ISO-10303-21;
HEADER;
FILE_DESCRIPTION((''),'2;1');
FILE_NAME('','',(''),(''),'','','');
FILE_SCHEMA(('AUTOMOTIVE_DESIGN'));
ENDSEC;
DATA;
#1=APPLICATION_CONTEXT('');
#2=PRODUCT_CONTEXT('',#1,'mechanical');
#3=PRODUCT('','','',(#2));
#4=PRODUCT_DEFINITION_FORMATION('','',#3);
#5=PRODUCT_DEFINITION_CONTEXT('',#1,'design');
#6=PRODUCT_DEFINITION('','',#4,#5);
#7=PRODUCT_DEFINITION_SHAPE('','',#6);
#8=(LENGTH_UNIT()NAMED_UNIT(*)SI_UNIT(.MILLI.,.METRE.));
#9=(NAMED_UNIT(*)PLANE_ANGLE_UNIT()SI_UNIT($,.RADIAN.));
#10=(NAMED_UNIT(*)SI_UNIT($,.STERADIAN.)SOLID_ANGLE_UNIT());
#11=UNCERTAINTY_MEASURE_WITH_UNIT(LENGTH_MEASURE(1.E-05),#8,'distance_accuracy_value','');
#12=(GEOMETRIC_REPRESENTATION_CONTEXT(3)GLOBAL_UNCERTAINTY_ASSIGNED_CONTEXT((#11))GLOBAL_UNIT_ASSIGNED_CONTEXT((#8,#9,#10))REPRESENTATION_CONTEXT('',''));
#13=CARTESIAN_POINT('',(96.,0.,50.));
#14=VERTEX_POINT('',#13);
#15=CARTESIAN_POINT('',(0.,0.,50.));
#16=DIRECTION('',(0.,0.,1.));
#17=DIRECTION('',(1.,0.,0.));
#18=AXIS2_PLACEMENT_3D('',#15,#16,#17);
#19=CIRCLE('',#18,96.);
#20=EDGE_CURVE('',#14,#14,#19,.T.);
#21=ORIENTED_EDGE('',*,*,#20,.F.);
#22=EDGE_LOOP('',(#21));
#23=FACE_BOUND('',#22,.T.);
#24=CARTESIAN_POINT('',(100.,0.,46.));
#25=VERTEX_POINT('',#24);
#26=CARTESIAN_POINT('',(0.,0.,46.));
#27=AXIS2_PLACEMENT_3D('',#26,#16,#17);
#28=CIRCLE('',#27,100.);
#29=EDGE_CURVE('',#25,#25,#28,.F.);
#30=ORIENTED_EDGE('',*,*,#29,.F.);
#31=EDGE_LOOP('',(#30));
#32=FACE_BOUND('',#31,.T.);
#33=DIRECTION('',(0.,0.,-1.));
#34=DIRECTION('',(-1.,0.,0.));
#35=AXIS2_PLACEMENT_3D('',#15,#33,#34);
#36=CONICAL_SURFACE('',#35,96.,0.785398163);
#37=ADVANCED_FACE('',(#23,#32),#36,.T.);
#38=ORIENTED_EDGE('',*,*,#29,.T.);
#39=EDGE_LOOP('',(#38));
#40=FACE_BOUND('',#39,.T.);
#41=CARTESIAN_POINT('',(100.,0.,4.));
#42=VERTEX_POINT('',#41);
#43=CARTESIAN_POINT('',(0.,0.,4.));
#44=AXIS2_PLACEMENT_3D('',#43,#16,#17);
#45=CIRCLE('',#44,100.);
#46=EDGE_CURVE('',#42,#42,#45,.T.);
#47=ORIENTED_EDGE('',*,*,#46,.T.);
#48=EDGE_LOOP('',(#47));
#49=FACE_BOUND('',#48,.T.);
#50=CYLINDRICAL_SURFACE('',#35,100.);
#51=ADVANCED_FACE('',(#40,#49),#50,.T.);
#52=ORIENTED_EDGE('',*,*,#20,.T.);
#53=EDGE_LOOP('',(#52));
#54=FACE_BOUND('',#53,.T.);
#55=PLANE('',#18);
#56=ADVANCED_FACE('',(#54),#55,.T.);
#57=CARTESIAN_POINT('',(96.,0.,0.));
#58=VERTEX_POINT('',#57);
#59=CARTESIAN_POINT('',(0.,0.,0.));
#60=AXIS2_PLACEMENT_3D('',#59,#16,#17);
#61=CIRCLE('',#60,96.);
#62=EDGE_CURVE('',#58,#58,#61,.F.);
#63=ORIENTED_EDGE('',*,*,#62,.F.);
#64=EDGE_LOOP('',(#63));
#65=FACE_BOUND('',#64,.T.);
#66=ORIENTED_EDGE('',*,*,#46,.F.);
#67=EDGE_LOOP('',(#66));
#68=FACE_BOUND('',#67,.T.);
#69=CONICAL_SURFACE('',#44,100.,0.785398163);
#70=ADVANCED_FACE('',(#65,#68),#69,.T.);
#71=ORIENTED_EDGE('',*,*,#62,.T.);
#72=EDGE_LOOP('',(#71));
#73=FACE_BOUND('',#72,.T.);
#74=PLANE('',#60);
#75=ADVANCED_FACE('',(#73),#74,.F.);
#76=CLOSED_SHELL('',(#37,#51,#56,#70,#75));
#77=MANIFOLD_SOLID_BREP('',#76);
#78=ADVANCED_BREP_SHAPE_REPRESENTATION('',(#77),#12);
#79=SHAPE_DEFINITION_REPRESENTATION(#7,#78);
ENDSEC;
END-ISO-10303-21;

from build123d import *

# Parameters (mm, degrees)
ESQUISSE1_R        = 100
BOSS_EXTRU_1_DEPTH = 50
CHANFREIN1_SIZE    = 4
CHANFREIN2_SIZE    = 4


with BuildPart() as part:
    # Esquisse1 → Boss.-Extru.1 (new body)
    with BuildSketch(Plane.XY):
        Circle(ESQUISSE1_R)
    extrude(amount=BOSS_EXTRU_1_DEPTH)

    # Chanfrein1
    chanfrein1_edges = [part.edges().sort_by_distance(p)[0] for p in [
        (-100, 0, 0),
    ]]
    chamfer(chanfrein1_edges, length=CHANFREIN1_SIZE)

    # Chanfrein2
    chanfrein2_edges = [part.edges().sort_by_distance(p)[0] for p in [
        (-100, 0, 50),
    ]]
    chamfer(chanfrein2_edges, length=CHANFREIN2_SIZE)


solid = part.part
